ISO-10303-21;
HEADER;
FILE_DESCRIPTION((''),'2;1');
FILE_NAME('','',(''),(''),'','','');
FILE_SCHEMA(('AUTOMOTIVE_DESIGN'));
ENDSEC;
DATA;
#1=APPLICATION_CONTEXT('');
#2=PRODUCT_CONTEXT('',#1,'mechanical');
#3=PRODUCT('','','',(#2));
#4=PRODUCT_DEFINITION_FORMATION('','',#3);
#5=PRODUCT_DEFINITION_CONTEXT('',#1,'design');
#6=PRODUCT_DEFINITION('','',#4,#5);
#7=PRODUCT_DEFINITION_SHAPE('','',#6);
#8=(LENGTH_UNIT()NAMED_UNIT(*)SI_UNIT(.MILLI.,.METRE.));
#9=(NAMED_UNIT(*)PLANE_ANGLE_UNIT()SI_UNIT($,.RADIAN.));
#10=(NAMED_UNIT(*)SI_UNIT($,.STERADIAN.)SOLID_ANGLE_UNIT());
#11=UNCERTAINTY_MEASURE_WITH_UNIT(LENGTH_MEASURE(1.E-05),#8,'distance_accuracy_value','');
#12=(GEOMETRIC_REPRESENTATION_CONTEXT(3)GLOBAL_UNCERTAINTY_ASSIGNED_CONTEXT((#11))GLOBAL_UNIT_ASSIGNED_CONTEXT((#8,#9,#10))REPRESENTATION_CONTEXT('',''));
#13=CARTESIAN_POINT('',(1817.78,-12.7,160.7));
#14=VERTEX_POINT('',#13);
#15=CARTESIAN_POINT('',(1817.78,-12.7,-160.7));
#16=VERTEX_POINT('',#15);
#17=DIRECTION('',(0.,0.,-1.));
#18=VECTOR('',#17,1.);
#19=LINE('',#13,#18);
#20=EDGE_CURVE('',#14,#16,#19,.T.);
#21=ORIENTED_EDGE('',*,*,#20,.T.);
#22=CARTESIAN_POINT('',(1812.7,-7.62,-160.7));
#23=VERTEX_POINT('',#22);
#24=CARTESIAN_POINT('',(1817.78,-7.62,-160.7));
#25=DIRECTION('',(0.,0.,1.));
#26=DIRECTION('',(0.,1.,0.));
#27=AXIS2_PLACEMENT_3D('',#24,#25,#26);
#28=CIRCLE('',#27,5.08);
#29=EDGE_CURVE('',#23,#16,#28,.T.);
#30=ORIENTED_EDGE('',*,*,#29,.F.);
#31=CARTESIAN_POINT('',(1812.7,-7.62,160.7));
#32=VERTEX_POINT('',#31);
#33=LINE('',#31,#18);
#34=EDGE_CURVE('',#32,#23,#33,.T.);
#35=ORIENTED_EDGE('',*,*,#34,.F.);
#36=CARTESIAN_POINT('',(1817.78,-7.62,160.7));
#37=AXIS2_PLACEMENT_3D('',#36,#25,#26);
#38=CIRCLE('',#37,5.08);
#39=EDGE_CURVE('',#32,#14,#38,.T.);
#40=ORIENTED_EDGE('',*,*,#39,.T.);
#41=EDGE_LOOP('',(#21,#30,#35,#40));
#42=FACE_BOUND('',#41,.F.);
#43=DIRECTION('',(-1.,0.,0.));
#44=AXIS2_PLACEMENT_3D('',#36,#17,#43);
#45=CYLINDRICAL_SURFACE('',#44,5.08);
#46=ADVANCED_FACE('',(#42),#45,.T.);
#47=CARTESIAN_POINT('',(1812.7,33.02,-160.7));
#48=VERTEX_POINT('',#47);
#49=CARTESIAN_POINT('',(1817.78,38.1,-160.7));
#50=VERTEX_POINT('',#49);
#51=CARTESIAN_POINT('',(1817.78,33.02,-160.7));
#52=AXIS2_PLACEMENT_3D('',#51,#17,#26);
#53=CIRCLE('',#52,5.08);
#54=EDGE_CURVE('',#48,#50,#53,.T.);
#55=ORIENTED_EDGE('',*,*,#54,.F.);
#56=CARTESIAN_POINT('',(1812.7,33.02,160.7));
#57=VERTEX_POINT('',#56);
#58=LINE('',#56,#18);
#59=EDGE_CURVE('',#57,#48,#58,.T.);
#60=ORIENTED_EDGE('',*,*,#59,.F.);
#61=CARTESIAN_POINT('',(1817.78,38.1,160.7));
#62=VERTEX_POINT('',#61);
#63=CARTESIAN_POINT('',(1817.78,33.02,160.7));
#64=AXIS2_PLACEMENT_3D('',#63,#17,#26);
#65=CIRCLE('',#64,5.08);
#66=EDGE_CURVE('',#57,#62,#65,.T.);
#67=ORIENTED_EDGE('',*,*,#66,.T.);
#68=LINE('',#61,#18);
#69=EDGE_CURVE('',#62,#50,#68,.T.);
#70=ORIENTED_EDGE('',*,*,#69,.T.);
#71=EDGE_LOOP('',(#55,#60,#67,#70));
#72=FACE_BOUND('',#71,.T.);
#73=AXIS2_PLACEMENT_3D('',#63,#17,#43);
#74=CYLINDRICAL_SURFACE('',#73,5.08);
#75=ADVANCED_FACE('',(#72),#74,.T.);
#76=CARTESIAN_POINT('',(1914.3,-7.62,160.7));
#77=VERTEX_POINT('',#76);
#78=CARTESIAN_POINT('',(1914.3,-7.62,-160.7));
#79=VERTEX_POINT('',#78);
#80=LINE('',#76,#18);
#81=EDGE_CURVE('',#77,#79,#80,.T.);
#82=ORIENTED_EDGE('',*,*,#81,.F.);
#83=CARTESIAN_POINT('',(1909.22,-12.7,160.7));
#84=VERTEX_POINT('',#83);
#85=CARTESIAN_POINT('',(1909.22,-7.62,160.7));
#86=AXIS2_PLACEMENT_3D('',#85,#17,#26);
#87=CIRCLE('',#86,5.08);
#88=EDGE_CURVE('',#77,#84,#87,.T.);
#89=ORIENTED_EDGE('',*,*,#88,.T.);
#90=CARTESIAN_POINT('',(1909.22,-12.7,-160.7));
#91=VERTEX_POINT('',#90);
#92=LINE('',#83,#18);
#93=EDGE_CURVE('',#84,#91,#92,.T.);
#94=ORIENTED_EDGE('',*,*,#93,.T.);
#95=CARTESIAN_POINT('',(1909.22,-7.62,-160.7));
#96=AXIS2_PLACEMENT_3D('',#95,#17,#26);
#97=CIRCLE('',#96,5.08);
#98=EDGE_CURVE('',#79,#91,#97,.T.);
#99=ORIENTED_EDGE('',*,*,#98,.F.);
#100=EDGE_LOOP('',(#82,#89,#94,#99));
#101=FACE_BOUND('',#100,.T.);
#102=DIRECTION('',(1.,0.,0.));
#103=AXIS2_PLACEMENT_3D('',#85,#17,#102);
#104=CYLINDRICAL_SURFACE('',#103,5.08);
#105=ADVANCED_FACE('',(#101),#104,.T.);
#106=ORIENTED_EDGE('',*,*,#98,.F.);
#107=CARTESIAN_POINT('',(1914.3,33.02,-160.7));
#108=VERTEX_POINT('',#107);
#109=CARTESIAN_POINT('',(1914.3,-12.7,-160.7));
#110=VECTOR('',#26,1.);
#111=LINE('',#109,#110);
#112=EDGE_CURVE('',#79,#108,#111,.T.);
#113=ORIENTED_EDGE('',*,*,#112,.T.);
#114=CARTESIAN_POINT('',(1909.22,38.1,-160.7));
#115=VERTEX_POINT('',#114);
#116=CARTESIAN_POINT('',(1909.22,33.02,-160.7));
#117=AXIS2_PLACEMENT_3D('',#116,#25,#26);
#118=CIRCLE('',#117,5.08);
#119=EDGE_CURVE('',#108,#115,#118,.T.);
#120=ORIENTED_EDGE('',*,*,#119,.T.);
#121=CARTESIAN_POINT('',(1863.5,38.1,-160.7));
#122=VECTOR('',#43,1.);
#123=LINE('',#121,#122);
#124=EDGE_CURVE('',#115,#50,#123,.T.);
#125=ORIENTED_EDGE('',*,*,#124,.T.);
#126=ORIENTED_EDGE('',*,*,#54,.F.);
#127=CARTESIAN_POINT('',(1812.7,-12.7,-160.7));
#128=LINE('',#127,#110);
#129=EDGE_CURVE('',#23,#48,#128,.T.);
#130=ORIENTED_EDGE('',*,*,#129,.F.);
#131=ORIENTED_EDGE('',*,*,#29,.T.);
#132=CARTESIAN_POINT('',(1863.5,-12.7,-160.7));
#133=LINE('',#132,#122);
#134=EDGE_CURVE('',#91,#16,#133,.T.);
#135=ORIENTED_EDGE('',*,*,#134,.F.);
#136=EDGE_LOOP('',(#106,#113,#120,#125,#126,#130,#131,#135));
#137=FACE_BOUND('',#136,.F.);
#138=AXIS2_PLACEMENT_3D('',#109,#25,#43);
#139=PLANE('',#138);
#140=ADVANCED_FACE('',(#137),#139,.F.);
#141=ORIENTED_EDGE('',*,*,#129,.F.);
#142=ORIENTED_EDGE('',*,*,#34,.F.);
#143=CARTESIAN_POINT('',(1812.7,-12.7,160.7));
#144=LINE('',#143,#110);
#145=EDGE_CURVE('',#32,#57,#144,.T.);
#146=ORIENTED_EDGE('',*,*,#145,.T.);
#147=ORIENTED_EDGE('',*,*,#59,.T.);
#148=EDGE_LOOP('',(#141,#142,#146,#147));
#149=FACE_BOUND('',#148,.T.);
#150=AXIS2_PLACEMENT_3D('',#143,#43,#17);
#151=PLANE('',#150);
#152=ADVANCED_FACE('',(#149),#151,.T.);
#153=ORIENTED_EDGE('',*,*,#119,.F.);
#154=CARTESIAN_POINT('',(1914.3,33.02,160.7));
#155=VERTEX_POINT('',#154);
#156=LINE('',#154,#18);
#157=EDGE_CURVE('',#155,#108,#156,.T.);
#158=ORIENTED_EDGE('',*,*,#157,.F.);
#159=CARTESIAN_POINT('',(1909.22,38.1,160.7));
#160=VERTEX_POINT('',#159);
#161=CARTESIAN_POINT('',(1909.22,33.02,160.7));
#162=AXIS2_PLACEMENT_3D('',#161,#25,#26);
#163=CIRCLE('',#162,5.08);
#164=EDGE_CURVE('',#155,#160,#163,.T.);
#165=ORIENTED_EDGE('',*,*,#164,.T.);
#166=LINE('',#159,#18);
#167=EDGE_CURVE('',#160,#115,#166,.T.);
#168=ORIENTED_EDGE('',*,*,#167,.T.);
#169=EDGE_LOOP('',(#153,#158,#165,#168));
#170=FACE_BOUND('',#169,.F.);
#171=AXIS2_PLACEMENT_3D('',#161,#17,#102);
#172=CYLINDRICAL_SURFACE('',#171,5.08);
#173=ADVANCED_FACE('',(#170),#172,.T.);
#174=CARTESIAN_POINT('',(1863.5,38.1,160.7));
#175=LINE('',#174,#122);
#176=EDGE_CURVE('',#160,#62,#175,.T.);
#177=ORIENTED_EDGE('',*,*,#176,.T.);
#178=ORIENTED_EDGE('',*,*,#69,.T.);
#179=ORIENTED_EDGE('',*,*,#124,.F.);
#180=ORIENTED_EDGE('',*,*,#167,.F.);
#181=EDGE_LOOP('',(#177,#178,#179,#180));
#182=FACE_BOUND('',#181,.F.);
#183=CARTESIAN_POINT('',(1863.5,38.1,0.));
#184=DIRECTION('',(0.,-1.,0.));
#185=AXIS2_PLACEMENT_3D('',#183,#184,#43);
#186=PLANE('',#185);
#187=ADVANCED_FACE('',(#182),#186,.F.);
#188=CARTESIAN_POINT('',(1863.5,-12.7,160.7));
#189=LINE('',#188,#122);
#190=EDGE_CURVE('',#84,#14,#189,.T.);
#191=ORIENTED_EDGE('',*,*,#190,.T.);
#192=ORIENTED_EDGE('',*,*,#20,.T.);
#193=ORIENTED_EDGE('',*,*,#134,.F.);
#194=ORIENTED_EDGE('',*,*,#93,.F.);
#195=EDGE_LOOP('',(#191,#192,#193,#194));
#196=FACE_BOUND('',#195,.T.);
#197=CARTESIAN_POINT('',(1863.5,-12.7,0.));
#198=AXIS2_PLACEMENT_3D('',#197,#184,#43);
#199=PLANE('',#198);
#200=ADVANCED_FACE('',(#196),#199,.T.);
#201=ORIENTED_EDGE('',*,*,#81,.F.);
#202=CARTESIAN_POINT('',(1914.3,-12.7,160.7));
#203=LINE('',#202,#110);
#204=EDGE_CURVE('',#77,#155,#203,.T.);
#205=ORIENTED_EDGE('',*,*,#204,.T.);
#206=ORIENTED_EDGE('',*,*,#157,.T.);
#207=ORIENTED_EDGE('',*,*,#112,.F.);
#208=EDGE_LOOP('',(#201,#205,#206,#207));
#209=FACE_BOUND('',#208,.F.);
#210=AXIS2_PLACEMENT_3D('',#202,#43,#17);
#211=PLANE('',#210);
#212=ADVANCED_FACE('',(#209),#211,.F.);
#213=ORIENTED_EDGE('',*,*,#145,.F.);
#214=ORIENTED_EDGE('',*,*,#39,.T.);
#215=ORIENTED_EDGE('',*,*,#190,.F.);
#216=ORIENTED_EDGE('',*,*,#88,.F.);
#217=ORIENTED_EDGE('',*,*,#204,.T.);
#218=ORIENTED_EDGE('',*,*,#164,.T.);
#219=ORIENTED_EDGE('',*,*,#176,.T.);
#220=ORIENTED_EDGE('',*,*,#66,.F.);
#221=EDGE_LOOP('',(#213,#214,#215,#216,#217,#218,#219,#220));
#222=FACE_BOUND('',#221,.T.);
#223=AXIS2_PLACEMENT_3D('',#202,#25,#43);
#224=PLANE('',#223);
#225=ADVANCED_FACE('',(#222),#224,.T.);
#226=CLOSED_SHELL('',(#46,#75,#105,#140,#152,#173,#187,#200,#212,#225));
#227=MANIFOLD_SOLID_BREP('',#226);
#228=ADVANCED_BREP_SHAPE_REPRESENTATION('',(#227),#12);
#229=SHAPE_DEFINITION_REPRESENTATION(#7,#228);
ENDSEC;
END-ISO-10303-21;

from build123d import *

# Parameters (mm, degrees)
SKETCH1_W           = 101.6
SKETCH1_H           = 321.4
BOSS_EXTRUDE1_DEPTH = 50.8
FILLET1_R           = 5.08


with BuildPart() as part:
    # Sketch1 → Boss-Extrude1 (new body)
    with BuildSketch(Plane(origin=(0, -12.7, 0), x_dir=(-1, 0, 0), z_dir=(0, -1, 0))):
        with Locations((-1863.5, 0)):
            Rectangle(SKETCH1_W, SKETCH1_H)
    extrude(amount=-BOSS_EXTRUDE1_DEPTH)

    # Fillet1
    fillet1_edges = [part.edges().sort_by_distance(p)[0] for p in [
        (1812.7, 38.1, 0),
        (1914.3, 38.1, 0),
        (1812.7, -12.7, 0),
        (1914.3, -12.7, 0),
    ]]
    fillet(fillet1_edges, radius=FILLET1_R)


solid = part.part
